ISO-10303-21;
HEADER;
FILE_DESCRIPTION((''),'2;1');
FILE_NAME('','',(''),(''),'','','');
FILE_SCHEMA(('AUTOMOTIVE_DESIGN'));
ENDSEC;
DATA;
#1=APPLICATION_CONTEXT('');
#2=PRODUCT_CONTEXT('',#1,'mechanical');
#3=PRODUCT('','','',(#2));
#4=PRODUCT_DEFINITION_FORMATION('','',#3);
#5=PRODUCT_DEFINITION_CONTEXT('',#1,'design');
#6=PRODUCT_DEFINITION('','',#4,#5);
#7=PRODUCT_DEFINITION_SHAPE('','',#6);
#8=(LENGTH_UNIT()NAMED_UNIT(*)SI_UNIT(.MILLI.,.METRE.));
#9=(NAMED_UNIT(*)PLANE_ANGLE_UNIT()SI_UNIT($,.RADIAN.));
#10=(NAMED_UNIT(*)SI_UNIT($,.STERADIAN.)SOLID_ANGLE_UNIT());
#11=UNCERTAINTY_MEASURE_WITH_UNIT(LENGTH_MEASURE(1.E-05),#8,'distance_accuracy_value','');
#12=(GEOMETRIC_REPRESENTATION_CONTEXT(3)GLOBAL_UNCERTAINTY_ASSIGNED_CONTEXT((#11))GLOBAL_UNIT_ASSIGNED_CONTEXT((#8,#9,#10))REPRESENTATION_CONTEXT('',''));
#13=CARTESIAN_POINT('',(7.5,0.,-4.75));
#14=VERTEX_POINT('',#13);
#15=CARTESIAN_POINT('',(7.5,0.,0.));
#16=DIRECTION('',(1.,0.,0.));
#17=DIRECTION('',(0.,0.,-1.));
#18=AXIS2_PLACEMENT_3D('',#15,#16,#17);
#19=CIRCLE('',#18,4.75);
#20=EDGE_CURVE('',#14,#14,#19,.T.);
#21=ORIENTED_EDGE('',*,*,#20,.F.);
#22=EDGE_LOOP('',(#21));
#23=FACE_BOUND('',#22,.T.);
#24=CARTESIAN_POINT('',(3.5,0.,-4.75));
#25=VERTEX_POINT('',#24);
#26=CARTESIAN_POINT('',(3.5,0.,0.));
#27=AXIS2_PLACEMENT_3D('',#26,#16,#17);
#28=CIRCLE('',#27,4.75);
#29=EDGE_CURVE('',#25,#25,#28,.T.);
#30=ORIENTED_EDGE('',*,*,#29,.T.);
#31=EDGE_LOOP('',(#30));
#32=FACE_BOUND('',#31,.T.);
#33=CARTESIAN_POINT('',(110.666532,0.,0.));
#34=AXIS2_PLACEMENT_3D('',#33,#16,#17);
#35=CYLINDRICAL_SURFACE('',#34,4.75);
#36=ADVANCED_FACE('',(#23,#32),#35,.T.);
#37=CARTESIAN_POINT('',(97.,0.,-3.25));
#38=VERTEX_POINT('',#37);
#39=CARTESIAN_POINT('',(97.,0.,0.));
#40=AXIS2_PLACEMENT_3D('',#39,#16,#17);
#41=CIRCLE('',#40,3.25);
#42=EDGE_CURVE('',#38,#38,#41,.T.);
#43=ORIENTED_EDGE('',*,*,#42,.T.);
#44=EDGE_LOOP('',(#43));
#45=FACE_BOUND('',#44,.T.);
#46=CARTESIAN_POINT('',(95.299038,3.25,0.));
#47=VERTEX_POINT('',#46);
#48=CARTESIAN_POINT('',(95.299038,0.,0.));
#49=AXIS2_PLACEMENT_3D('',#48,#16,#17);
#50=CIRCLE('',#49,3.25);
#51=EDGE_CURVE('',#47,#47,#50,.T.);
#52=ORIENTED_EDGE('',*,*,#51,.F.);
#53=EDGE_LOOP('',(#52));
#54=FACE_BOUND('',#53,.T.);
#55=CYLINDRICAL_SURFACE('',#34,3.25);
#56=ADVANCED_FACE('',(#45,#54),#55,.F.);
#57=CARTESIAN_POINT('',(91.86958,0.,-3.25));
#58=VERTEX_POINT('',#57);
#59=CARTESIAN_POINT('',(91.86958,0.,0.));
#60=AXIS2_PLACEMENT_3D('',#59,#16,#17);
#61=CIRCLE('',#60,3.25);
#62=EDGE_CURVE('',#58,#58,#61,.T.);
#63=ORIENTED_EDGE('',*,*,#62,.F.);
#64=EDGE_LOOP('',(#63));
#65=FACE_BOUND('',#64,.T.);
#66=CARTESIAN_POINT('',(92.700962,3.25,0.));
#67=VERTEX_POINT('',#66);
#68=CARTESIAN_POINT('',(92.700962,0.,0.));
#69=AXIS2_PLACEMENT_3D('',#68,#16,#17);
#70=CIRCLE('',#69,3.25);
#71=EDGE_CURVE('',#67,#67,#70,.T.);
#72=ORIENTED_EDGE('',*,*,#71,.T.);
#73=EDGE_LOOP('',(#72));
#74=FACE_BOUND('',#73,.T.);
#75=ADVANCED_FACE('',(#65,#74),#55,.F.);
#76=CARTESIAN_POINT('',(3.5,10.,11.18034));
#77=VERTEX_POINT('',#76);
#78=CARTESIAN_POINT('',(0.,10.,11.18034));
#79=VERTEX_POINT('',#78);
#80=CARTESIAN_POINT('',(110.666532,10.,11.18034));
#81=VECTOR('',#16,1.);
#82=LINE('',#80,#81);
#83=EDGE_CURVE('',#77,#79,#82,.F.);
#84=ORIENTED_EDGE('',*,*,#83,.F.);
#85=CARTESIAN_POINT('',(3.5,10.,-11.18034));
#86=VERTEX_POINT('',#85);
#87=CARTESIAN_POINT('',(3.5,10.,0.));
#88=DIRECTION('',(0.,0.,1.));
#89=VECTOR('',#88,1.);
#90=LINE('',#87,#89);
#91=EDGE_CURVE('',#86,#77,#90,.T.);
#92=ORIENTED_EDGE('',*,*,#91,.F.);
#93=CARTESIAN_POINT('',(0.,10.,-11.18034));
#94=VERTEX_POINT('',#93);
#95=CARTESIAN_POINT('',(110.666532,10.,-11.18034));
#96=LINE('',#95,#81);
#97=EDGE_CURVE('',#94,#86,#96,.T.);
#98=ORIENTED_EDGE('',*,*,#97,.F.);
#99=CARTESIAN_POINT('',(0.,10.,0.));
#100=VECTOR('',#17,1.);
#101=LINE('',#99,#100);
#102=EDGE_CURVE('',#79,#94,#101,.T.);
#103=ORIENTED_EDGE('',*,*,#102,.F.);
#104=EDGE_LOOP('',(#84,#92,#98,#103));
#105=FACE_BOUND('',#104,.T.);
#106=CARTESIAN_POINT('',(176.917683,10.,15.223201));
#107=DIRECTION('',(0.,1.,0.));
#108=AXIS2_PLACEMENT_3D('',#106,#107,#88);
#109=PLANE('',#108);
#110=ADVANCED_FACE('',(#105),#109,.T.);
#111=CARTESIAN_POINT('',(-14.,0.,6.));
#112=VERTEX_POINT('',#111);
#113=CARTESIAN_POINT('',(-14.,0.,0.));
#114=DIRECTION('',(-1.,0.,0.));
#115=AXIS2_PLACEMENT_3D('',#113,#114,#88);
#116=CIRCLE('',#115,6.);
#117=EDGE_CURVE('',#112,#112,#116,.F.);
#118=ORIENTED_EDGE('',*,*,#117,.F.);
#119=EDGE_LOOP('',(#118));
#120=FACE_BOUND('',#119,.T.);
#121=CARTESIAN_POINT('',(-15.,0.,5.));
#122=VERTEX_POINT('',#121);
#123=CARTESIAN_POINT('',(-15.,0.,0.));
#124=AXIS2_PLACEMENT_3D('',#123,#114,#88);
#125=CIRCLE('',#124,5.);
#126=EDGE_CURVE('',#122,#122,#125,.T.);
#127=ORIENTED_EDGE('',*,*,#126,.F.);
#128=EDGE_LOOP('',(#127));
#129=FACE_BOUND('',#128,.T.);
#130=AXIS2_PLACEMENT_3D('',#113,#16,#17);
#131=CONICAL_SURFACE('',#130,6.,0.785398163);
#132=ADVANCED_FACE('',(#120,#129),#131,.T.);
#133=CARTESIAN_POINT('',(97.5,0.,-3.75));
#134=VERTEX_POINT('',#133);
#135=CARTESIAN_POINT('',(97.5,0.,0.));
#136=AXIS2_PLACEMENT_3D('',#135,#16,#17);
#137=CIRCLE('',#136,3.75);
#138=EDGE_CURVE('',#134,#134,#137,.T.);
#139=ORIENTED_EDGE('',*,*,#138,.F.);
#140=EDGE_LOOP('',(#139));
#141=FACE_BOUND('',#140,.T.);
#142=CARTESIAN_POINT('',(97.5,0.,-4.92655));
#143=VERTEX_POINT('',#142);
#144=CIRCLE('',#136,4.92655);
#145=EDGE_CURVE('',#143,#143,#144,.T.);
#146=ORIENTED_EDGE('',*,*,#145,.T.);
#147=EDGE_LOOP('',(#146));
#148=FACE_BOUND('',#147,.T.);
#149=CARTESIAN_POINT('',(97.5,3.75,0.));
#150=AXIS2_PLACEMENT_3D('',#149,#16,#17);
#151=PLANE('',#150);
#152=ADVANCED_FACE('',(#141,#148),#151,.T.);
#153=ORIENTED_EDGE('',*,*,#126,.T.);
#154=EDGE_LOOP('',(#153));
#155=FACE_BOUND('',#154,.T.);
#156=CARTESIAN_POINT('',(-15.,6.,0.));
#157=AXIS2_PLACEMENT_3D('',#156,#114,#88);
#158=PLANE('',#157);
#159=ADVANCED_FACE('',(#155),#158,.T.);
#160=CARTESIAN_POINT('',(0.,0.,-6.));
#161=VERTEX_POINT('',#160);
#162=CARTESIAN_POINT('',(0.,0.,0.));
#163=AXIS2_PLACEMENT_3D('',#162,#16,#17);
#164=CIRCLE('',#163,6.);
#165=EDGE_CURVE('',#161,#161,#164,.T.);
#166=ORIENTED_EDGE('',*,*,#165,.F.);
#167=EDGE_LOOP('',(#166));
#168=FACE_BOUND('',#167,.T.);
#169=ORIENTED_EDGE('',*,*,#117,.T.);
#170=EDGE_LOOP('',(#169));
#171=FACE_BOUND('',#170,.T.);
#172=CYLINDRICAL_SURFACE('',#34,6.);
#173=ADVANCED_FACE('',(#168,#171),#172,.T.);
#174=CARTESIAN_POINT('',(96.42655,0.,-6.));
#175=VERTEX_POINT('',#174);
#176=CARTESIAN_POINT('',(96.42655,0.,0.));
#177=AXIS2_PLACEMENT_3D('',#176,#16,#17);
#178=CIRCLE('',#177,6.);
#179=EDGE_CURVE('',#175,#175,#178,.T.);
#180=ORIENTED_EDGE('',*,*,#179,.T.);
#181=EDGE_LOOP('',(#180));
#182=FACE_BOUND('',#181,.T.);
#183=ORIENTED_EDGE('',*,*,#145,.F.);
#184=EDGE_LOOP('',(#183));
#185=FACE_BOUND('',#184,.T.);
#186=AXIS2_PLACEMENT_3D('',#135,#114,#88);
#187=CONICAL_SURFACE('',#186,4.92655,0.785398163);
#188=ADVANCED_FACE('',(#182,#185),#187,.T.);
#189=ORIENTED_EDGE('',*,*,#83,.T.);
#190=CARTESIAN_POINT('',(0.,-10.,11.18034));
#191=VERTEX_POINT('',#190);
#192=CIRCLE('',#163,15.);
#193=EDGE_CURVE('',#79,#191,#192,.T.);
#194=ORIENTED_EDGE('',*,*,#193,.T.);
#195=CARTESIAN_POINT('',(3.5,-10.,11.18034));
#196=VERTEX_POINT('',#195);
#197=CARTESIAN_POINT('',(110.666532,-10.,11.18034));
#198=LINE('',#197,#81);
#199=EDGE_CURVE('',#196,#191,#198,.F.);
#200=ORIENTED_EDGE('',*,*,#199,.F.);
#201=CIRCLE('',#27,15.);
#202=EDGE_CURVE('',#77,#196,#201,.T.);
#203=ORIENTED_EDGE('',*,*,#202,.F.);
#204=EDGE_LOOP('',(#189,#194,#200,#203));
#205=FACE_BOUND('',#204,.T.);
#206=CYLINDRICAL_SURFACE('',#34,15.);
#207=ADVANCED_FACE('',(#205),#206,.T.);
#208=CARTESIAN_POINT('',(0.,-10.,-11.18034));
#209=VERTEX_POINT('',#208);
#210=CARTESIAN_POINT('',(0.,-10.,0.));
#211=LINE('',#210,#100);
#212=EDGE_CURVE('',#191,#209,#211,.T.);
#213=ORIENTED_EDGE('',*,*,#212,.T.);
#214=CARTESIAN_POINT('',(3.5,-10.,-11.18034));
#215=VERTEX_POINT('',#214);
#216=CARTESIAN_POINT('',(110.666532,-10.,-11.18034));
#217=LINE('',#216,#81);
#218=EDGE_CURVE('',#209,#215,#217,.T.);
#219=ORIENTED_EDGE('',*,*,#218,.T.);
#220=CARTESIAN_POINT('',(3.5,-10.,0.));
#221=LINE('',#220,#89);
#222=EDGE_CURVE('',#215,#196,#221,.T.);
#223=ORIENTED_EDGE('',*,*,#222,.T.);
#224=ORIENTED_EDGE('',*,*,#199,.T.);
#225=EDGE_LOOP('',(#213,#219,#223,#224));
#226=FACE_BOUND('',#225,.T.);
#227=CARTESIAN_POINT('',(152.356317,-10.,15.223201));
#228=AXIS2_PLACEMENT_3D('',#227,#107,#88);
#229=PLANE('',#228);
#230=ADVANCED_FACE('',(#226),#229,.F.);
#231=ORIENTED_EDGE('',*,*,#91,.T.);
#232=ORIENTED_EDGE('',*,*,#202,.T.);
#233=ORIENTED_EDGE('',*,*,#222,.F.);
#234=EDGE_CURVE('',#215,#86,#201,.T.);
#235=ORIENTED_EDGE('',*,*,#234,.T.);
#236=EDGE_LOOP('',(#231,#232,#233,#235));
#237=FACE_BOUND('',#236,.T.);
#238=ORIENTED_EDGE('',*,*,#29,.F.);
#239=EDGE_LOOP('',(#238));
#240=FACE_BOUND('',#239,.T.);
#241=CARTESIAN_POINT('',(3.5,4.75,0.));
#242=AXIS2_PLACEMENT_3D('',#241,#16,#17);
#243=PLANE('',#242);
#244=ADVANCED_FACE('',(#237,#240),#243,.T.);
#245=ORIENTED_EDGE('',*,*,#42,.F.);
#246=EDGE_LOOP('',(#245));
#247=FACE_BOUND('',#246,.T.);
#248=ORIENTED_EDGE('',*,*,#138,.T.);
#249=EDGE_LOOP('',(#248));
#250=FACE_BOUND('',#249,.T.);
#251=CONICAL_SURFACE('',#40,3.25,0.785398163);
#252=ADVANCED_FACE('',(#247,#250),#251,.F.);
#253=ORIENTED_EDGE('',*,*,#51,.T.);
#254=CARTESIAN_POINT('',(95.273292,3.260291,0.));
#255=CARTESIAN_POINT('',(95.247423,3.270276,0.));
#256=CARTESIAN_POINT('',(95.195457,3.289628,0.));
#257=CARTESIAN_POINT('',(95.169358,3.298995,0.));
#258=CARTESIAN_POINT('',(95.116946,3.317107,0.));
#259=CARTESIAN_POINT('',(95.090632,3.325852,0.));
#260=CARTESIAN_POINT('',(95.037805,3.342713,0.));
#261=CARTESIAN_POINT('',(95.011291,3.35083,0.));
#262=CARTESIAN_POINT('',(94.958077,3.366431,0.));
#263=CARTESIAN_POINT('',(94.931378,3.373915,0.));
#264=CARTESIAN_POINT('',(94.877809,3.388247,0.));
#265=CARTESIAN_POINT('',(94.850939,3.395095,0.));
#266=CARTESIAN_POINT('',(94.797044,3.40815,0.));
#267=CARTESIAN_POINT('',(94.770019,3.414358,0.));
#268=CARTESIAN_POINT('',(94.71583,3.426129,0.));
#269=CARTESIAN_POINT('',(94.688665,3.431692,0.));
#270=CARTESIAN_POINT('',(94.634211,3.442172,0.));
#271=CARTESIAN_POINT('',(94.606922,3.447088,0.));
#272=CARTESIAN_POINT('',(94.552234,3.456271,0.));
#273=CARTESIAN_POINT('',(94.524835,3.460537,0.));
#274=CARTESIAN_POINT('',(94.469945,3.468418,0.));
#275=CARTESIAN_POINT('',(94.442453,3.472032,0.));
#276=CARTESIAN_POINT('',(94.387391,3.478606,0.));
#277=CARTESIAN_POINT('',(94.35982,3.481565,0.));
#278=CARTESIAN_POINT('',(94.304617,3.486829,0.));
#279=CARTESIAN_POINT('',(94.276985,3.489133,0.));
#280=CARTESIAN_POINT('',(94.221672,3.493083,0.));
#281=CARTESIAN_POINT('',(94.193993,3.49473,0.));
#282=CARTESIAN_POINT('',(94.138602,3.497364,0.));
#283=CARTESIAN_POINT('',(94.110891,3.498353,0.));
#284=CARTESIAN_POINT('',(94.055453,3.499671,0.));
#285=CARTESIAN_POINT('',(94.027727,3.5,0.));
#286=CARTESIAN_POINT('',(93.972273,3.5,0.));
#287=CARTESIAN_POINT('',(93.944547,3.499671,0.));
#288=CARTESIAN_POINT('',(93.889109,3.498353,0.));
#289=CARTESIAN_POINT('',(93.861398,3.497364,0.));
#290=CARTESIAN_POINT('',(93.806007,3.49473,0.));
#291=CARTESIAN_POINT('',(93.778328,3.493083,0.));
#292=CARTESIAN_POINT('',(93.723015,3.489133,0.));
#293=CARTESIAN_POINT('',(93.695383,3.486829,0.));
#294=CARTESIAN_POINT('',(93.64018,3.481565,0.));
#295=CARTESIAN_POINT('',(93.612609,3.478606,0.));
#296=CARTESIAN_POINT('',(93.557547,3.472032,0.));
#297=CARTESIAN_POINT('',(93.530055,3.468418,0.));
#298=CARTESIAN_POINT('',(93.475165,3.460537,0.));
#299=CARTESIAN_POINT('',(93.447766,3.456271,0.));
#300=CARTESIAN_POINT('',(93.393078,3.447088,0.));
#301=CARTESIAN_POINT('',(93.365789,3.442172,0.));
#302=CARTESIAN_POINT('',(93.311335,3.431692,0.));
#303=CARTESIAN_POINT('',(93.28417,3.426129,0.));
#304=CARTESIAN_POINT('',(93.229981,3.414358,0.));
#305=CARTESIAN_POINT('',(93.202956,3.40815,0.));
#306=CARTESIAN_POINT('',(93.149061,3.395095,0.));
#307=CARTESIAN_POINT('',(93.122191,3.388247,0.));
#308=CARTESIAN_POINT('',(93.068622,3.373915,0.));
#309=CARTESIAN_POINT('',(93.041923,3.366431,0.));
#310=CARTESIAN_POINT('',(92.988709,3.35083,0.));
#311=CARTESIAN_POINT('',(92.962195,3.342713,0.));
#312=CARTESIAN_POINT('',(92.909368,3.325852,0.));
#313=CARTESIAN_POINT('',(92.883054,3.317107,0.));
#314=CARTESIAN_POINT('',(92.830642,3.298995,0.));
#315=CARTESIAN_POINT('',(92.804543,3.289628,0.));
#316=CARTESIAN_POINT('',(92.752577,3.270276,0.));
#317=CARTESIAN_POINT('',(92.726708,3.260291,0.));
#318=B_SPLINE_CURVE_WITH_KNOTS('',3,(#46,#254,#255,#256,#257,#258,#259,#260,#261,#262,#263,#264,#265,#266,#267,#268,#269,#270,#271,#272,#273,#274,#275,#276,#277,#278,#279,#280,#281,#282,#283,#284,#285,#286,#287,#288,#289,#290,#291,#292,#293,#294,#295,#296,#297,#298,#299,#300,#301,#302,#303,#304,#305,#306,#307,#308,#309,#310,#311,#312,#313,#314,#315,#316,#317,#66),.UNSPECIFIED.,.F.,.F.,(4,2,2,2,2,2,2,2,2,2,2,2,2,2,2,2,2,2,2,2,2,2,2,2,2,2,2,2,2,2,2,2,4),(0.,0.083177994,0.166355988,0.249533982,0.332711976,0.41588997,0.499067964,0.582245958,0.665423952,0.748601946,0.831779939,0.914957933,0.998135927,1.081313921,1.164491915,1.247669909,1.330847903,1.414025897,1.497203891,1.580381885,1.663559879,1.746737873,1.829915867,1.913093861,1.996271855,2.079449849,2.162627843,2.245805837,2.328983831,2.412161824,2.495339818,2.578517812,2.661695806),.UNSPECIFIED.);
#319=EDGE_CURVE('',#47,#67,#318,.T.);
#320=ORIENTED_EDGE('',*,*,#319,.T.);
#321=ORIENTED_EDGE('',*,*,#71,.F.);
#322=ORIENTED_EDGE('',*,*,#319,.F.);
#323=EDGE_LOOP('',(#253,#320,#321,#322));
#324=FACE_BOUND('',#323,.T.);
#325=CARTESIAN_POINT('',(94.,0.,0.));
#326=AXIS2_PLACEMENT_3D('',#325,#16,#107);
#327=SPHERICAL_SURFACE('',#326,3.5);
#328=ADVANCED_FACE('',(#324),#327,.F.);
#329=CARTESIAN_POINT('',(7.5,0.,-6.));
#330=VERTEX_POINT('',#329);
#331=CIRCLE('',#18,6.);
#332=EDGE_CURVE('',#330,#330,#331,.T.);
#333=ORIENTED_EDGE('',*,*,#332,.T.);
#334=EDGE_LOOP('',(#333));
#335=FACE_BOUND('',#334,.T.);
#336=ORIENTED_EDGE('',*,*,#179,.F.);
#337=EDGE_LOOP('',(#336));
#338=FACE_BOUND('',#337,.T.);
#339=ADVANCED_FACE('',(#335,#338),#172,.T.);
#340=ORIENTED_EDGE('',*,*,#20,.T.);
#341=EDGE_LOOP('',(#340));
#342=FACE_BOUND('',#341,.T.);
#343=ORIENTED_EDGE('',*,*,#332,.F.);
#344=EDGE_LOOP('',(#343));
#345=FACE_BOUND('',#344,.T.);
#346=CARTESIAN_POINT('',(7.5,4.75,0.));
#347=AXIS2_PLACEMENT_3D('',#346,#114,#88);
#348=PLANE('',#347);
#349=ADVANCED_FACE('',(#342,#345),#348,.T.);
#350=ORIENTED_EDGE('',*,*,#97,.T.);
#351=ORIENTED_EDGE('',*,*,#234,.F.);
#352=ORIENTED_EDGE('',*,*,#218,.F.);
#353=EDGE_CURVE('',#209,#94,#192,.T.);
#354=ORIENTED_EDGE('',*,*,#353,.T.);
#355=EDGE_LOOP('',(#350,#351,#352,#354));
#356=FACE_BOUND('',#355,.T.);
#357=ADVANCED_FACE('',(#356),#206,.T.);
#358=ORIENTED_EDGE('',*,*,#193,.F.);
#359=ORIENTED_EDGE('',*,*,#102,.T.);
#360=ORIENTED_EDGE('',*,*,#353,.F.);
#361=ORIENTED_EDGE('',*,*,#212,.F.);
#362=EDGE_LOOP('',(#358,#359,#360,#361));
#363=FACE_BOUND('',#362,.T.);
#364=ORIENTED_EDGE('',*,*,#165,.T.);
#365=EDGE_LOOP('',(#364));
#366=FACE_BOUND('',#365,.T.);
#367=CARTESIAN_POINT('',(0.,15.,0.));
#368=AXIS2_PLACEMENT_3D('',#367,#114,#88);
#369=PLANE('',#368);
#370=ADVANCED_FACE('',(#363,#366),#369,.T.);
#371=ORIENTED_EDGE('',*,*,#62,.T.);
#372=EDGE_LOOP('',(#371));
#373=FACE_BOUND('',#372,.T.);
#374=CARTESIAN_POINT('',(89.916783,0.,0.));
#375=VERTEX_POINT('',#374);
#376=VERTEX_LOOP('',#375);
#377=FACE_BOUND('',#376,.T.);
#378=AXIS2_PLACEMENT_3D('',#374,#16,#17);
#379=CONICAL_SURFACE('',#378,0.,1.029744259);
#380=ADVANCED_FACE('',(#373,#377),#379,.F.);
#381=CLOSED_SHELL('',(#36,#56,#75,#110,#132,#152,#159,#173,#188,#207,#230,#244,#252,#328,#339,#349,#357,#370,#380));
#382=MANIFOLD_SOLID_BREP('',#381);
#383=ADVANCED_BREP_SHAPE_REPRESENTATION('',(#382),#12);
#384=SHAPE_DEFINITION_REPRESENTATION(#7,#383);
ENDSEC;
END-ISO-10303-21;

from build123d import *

# Parameters (mm, degrees)
CHANFREIN2_SIZE = 1
M_PLATS_DEPTH   = 97.363893653


with BuildPart() as part:
    # Esquisse1 → Forme de révolution (revolve)
    with BuildSketch(Plane.XY, mode=Mode.PRIVATE) as forme_de_r_volution_sk:
        with BuildLine():
            Line((-15, 0), (89.91678311, 0))
            Line((89.91678311, 0), (91.869580122, 3.25))
            Line((91.869580122, 3.25), (92.700961894, 3.25))
            ThreePointArc((92.700961894, 3.25), (94, 3.5), (95.299038106, 3.25))
            Line((95.299038106, 3.25), (97, 3.25))
            Line((97, 3.25), (97.5, 3.75))
            Line((97.5, 3.75), (97.5, 4.92655))
            Line((97.5, 4.92655), (96.42655, 6))
            Line((96.42655, 6), (7.5, 6))
            Line((7.5, 6), (7.5, 4.75))
            Line((7.5, 4.75), (3.5, 4.75))
            Line((3.5, 4.75), (3.5, 15))
            Line((3.5, 15), (0, 15))
            Line((0, 15), (0, 6))
            Line((0, 6), (-15, 6))
            Line((-15, 6), (-15, 0))
        make_face()
    revolve(forme_de_r_volution_sk.sketch.rotate(Axis((110.666531714, 0, 0), (-1, 0, 0)), 90), axis=Axis((110.666531714, 0, 0), (-1, 0, 0)))

    # Chanfrein2
    chanfrein2_edges = [part.edges().sort_by_distance(p)[0] for p in [
        (-15, 0, 6),
    ]]
    chamfer(chanfrein2_edges, length=CHANFREIN2_SIZE)

    # Esquisse3 → Méplats (cut, symmetric)
    with BuildSketch(Plane(origin=(3.5, 0, 0), x_dir=(0, 0, -1), z_dir=(1, 0, 0))):
        Polygon((-103.669154566, 10), (-15.223201291, 10), (13.534968643, 10), (101.980921918, 10), (101.980921918, 186.891906549), (-103.669154566, 186.891906549), align=None)
    m_plats = extrude(amount=M_PLATS_DEPTH, both=True, mode=Mode.SUBTRACT)

    # Symétrie1: Méplats across plane
    add(m_plats.mirror(Plane.ZX), mode=Mode.SUBTRACT)


solid = part.part
